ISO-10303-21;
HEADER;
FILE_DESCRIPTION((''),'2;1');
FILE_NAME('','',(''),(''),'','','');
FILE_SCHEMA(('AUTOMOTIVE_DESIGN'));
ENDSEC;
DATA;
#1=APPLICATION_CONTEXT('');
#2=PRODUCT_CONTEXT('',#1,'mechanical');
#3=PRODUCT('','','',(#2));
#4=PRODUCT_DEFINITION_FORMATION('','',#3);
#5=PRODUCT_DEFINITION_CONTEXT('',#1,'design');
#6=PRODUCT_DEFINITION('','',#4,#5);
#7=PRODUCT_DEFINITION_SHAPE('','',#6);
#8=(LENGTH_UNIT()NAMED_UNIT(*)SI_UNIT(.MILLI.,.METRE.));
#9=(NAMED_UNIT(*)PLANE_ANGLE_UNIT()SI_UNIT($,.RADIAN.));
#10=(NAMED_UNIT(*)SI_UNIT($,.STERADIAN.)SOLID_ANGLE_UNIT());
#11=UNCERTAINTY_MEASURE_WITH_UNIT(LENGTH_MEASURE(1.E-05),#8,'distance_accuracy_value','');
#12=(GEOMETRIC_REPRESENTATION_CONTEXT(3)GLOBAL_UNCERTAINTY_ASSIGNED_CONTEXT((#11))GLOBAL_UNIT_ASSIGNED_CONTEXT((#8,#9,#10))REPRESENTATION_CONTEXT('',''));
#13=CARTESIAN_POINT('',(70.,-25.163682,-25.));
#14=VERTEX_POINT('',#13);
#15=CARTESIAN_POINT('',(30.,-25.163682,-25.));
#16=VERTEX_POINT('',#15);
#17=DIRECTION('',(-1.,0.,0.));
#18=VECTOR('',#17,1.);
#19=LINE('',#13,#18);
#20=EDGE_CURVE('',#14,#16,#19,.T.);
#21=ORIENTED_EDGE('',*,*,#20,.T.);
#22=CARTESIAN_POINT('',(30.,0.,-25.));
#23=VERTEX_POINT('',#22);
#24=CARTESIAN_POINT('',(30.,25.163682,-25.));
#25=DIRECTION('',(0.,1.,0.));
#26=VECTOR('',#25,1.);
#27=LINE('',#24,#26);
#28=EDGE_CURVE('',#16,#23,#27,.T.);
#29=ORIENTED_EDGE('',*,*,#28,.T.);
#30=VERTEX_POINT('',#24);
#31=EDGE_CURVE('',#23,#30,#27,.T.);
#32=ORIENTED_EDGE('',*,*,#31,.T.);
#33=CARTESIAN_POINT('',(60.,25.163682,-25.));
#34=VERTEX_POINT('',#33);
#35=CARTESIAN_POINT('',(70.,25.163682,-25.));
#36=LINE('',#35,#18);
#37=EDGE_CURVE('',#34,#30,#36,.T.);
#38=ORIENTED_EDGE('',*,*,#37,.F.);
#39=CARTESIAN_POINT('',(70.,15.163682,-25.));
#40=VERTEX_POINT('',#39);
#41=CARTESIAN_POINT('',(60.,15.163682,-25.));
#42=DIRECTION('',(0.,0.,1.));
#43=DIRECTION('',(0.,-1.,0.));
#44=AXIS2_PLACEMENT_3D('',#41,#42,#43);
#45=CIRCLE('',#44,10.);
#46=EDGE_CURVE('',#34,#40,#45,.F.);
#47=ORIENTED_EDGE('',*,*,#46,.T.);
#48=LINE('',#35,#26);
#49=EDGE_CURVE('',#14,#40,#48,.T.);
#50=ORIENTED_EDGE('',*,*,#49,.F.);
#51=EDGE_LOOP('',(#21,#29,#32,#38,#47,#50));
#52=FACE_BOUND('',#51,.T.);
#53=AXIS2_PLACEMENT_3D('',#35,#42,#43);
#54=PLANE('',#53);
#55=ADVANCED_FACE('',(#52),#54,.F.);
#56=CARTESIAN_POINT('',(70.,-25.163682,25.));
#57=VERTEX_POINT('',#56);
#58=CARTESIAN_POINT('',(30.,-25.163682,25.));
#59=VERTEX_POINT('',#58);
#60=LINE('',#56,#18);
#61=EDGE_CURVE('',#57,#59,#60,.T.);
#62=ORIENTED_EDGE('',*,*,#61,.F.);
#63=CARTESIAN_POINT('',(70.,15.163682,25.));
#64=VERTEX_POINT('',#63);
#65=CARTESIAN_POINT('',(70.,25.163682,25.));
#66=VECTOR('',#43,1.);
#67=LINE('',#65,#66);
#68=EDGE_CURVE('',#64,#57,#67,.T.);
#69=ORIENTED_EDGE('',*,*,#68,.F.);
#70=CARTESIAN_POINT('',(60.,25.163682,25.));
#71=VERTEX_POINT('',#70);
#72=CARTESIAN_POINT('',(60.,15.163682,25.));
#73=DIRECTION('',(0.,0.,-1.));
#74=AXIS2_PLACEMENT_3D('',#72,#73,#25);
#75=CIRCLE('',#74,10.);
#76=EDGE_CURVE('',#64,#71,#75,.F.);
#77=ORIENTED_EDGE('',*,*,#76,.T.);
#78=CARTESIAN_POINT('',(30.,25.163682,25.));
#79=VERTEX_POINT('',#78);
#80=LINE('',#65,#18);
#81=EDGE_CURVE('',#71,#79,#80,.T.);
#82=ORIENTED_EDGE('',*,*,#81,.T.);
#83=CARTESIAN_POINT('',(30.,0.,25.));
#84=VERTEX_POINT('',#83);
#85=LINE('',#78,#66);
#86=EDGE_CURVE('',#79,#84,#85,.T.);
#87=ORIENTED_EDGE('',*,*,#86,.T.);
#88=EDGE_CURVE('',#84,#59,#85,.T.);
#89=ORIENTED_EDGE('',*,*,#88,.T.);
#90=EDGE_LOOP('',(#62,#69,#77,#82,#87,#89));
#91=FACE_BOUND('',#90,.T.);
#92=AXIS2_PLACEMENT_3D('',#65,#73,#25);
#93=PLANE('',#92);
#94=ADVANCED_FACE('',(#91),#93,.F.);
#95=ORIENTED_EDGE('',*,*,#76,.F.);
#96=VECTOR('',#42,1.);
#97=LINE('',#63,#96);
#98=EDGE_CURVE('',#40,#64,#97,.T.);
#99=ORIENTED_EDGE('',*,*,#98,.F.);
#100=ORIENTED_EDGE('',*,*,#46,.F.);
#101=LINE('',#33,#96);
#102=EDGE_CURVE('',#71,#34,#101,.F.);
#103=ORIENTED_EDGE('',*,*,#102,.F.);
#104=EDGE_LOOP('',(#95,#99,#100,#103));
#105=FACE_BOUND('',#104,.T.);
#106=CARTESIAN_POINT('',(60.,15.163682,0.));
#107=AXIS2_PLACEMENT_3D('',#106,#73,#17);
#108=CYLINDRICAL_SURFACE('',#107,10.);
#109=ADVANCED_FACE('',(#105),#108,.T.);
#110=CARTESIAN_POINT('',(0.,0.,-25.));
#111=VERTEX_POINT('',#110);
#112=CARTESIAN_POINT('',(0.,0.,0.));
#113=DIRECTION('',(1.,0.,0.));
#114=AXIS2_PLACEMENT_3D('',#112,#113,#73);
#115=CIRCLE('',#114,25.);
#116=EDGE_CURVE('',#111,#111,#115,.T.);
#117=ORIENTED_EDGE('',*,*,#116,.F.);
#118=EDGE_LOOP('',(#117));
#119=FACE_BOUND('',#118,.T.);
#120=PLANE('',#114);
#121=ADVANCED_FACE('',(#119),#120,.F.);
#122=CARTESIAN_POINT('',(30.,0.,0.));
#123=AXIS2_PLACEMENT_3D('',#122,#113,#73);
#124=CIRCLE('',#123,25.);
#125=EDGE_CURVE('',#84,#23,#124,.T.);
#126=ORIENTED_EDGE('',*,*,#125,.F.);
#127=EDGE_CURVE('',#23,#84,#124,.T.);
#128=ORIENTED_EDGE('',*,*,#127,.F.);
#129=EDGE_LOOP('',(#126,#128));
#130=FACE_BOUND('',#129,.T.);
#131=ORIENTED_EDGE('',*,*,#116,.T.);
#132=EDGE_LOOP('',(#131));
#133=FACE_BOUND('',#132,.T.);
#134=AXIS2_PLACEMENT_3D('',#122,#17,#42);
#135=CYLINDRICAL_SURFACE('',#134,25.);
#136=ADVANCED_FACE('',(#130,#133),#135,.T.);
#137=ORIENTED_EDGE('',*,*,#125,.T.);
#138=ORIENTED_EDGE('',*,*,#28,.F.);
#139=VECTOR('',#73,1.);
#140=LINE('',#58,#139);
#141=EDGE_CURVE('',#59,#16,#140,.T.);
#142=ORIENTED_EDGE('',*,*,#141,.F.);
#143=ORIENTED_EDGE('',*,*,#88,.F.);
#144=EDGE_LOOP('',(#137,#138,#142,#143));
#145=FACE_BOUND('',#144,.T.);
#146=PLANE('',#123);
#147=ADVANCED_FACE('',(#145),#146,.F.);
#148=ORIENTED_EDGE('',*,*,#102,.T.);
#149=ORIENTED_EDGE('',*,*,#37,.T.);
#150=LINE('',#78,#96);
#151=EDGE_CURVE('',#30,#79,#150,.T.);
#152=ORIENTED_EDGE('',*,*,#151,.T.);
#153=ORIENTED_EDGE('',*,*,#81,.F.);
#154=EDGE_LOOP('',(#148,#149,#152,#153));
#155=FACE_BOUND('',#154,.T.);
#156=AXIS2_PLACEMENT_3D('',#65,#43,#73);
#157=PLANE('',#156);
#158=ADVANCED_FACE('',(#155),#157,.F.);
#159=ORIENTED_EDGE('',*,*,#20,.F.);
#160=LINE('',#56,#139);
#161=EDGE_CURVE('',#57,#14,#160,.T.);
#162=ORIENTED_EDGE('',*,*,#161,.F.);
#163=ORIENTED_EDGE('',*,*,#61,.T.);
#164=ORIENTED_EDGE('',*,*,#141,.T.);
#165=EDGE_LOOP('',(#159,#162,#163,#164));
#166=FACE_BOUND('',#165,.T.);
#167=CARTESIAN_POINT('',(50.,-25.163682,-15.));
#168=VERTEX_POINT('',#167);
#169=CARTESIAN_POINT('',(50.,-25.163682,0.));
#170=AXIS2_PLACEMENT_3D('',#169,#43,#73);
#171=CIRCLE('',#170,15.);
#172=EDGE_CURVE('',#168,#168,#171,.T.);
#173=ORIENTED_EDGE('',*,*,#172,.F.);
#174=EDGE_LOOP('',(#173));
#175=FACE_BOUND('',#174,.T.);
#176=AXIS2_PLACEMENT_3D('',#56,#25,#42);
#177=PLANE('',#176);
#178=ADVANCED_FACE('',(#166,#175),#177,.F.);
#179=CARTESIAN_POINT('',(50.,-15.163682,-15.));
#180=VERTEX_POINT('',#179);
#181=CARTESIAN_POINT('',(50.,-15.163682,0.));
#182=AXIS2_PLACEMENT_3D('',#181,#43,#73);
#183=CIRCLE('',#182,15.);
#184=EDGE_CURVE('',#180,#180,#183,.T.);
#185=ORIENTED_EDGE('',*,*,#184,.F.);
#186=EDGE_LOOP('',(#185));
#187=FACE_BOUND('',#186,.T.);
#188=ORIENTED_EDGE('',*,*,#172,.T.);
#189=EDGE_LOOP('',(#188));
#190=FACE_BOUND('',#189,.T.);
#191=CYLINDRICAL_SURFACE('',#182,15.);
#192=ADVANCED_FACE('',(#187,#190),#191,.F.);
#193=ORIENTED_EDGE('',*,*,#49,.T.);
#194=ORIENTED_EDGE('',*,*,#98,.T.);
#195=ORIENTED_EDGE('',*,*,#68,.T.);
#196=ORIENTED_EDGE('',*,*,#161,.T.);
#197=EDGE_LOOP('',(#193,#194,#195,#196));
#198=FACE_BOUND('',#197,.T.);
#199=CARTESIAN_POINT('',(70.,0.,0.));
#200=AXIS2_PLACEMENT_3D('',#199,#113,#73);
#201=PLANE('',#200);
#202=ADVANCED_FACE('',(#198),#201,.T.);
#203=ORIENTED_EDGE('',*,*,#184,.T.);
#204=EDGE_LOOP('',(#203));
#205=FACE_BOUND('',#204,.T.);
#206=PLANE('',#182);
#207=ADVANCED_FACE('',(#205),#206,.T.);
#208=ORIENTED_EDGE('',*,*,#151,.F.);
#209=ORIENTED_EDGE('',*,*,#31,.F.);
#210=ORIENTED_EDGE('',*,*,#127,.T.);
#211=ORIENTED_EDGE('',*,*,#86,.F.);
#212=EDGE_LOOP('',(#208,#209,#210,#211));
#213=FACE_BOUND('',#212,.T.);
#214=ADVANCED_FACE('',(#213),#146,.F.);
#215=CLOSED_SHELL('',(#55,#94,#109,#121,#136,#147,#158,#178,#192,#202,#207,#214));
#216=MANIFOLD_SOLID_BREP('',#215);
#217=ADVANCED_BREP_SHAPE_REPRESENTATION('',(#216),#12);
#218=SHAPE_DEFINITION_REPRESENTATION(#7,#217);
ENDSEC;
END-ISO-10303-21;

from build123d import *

# Parameters (mm, degrees)
SKETCH1_R           = 25
BOSS_EXTRUDE1_DEPTH = 30
SKETCH2_W           = 50
SKETCH2_H           = 50.327363666
BOSS_EXTRUDE2_DEPTH = 40
FILLET1_R           = 10
SKETCH3_R           = 15
CUT_EXTRUDE1_DEPTH  = 10


with BuildPart() as part:
    # Sketch1 → Boss-Extrude1 (new body)
    with BuildSketch(Plane(origin=(0, 0, 0), x_dir=(0, 0, -1), z_dir=(1, 0, 0))):
        Circle(SKETCH1_R)
    extrude(amount=BOSS_EXTRUDE1_DEPTH)

    # Sketch2 → Boss-Extrude2 (add)
    with BuildSketch(Plane(origin=(30, 0, 0), x_dir=(0, 0, -1), z_dir=(1, 0, 0))):
        Rectangle(SKETCH2_W, SKETCH2_H)
    extrude(amount=BOSS_EXTRUDE2_DEPTH)

    # Fillet1
    fillet1_edges = [part.edges().sort_by_distance(p)[0] for p in [
        (70, 25.163681833, 0),
    ]]
    fillet(fillet1_edges, radius=FILLET1_R)

    # Sketch3 → Cut-Extrude1 (cut)
    with BuildSketch(Plane.XZ.offset(25.163681833)):
        with Locations(Location((50, 0, 0), (0, 0, 270))):
            Circle(SKETCH3_R)
    extrude(amount=-CUT_EXTRUDE1_DEPTH, mode=Mode.SUBTRACT)


solid = part.part
